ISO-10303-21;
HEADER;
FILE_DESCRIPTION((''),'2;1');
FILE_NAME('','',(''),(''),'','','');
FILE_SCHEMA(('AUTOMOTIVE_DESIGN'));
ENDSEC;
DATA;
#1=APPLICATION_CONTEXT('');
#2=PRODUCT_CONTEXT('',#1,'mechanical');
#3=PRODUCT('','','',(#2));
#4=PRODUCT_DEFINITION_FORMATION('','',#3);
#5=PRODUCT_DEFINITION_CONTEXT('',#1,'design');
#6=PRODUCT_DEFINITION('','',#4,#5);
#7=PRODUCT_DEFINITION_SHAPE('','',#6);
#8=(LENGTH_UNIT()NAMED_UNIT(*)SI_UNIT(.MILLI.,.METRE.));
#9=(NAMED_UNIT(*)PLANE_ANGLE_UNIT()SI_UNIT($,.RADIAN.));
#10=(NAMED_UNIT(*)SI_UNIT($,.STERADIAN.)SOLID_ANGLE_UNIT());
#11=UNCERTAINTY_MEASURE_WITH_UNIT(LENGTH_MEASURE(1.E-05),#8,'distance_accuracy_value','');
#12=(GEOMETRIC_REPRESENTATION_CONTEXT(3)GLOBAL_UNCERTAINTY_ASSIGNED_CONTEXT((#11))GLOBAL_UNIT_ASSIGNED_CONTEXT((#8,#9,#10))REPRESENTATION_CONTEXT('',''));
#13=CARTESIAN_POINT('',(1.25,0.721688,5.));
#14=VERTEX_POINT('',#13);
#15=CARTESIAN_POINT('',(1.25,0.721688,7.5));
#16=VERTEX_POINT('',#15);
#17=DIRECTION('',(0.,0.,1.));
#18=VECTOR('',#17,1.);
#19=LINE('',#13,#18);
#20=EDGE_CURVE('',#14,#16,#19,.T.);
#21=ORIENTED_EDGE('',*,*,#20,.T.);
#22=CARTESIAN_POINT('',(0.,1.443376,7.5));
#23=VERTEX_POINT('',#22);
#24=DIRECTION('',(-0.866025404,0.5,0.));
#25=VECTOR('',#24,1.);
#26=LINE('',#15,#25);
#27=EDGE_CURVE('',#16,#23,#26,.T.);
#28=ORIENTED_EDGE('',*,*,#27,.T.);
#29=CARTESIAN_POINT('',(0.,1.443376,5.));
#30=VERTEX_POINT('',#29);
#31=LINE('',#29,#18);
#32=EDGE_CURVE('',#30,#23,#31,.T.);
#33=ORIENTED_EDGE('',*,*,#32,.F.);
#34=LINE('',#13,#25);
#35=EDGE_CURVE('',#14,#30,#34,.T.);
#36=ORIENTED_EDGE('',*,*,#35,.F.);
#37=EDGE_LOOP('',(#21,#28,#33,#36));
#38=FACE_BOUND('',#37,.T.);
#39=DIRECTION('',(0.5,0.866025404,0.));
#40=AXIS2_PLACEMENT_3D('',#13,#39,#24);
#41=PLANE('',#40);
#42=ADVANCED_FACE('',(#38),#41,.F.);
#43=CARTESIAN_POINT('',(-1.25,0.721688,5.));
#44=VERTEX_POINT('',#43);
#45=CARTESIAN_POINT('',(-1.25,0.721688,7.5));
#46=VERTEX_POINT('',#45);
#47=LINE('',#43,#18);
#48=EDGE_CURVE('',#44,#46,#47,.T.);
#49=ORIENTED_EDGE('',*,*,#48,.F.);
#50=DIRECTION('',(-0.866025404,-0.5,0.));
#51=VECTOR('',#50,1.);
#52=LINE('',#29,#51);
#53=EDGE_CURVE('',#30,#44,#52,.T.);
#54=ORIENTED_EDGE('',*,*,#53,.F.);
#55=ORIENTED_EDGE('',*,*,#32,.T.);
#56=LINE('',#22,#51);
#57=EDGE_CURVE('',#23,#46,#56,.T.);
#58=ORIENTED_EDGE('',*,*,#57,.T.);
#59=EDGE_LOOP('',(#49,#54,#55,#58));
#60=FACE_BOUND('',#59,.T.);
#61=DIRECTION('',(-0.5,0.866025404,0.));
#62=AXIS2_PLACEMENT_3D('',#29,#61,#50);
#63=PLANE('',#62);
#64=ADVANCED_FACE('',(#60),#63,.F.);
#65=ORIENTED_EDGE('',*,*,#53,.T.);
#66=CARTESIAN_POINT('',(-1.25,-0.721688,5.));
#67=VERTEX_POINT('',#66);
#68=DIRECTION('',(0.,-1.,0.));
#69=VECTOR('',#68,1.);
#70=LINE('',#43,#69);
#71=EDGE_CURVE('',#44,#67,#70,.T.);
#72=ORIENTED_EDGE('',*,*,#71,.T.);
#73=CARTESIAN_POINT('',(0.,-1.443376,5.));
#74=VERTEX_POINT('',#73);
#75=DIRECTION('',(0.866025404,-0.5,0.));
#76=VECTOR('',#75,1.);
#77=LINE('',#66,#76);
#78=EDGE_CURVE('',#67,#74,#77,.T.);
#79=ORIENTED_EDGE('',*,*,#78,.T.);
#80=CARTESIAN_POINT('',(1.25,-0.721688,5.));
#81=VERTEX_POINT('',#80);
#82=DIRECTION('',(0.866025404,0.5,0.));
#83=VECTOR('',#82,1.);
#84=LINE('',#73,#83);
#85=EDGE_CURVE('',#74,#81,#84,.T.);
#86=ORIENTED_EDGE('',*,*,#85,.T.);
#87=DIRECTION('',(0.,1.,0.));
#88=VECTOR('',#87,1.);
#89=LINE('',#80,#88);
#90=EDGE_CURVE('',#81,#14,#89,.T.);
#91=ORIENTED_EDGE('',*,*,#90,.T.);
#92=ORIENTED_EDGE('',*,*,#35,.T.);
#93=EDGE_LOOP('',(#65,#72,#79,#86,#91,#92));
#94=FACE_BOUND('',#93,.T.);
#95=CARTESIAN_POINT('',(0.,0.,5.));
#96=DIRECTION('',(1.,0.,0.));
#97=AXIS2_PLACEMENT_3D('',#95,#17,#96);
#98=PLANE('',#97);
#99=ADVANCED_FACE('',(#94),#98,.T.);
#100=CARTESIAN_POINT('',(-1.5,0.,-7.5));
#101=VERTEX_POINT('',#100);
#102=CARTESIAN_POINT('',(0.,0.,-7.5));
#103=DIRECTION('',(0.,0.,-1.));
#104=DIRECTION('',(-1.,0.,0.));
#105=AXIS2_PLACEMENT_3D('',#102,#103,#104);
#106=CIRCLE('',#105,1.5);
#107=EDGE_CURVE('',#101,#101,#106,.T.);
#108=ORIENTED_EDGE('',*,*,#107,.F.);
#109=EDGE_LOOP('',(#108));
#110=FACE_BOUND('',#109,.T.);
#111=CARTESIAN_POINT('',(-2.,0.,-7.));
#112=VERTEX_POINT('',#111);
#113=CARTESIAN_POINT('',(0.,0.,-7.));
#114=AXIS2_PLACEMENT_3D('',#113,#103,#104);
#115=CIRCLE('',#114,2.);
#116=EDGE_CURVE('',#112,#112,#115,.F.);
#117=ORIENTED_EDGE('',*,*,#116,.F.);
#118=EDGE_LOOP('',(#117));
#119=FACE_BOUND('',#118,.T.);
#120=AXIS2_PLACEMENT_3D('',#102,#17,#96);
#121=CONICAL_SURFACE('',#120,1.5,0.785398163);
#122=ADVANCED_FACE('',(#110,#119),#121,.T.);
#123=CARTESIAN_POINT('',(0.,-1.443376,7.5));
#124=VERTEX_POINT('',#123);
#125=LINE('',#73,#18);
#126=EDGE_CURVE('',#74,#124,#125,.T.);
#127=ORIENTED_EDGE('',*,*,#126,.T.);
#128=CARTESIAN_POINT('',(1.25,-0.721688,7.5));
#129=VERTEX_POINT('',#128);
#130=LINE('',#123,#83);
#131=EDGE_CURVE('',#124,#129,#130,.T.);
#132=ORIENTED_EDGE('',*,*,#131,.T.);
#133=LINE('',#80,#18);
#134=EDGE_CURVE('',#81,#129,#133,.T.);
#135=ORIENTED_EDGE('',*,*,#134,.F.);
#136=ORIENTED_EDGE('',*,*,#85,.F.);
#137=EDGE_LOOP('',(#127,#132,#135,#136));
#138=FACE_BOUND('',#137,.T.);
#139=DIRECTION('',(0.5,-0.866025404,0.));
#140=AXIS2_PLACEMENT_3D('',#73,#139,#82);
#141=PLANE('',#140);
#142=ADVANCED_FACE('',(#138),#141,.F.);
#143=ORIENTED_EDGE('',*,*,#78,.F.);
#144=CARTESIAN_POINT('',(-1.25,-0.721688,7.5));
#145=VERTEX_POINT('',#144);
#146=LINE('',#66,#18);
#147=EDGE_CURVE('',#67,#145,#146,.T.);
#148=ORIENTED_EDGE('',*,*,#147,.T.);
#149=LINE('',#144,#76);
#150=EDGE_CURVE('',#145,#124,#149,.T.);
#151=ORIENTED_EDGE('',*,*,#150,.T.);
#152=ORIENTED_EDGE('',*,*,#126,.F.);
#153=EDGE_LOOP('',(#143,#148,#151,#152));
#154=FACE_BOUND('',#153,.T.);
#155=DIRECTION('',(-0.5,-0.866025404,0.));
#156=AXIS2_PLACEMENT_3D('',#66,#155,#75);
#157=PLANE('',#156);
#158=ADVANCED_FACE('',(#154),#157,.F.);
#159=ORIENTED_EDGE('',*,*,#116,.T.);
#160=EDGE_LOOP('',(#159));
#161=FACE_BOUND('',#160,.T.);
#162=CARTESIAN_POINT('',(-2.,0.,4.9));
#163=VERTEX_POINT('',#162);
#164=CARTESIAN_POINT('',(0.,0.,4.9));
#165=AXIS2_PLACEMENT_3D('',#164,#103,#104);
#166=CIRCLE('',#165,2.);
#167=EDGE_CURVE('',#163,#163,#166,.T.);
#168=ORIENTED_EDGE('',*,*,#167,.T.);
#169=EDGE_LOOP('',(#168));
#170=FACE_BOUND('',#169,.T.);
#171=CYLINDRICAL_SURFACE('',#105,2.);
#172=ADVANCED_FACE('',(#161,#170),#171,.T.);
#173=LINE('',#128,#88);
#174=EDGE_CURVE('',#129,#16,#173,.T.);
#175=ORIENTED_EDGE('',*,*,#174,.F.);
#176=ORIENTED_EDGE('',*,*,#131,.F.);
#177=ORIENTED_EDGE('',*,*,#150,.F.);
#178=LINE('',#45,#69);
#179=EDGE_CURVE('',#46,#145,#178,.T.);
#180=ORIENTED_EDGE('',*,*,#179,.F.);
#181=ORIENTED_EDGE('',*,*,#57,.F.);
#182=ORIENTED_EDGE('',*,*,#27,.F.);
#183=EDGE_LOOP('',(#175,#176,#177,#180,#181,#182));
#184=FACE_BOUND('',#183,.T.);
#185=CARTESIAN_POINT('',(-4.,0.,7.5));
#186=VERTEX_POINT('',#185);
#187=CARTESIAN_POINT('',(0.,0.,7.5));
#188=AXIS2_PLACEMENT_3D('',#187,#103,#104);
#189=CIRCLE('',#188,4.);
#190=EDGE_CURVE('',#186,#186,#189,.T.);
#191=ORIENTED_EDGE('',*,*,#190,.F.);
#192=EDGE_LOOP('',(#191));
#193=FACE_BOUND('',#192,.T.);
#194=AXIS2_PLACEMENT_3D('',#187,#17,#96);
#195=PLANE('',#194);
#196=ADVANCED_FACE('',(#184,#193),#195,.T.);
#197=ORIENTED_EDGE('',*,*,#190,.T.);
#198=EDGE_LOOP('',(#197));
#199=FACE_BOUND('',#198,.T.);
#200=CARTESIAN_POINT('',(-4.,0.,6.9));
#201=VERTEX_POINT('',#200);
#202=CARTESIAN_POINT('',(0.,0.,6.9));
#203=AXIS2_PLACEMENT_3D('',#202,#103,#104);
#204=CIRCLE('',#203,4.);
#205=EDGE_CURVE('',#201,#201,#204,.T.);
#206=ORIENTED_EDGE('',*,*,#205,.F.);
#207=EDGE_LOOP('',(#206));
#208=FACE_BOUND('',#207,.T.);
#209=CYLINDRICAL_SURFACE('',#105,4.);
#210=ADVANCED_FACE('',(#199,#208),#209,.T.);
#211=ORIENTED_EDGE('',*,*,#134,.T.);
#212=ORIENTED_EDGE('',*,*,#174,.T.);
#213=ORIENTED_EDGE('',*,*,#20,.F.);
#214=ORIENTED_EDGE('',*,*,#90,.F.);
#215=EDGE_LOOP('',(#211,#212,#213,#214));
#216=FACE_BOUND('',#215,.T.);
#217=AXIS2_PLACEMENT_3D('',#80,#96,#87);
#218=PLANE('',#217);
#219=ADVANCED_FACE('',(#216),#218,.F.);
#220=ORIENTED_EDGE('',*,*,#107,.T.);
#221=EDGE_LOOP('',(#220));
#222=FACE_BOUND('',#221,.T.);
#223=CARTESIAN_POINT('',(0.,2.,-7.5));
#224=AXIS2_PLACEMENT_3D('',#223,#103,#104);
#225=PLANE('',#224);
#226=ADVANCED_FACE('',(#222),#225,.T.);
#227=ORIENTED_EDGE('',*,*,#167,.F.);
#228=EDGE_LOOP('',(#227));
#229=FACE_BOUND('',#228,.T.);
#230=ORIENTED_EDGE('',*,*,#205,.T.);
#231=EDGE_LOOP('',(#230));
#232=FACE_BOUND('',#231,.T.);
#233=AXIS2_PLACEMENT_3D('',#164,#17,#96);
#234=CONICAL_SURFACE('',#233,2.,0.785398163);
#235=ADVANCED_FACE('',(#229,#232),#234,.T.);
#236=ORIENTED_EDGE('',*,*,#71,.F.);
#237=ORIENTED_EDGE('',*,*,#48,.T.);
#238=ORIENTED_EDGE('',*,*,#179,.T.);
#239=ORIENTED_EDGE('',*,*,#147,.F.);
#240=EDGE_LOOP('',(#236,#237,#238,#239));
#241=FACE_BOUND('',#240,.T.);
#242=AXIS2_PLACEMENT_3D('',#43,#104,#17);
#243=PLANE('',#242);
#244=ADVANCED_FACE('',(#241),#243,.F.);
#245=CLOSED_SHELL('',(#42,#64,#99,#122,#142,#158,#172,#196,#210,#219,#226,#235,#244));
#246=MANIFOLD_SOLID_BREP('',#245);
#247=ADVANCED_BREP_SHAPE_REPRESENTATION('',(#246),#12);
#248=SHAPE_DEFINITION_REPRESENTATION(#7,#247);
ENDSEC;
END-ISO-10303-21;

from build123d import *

# Parameters (mm, degrees)
CHAMFER_1_SIZE      = 0.5
CUT_EXTRUDE_1_DEPTH = 2.5


with BuildPart() as part:
    # 草图1 → 旋转1 (revolve)
    with BuildSketch(Plane(origin=(0, 0, 0), x_dir=(0, 0, -1), z_dir=(1, 0, 0)), mode=Mode.PRIVATE) as revolve_1_sk:
        Polygon((-7.5, 0), (-7.5, 4), (-6.9, 4), (-4.9, 2), (7.5, 2), (7.5, 0), align=None)
    revolve(revolve_1_sk.sketch.rotate(Axis((0, 0, -7.5), (0, 0, 1)), 90), axis=Axis((0, 0, -7.5), (0, 0, 1)))

    # 倒角1
    chamfer_1_edges = [part.edges().sort_by_distance(p)[0] for p in [
        (2, 0, -7.5),
    ]]
    chamfer(chamfer_1_edges, length=CHAMFER_1_SIZE)

    # 草图2 → 切除-拉伸1 (cut)
    with BuildSketch(Plane.XY.offset(7.5)):
        Polygon((0, 1.443375673), (-1.25, 0.721687836), (-1.25, -0.721687836), (0, -1.443375673), (1.25, -0.721687836), (1.25, 0.721687836), align=None)
    extrude(amount=-CUT_EXTRUDE_1_DEPTH, mode=Mode.SUBTRACT)


solid = part.part
